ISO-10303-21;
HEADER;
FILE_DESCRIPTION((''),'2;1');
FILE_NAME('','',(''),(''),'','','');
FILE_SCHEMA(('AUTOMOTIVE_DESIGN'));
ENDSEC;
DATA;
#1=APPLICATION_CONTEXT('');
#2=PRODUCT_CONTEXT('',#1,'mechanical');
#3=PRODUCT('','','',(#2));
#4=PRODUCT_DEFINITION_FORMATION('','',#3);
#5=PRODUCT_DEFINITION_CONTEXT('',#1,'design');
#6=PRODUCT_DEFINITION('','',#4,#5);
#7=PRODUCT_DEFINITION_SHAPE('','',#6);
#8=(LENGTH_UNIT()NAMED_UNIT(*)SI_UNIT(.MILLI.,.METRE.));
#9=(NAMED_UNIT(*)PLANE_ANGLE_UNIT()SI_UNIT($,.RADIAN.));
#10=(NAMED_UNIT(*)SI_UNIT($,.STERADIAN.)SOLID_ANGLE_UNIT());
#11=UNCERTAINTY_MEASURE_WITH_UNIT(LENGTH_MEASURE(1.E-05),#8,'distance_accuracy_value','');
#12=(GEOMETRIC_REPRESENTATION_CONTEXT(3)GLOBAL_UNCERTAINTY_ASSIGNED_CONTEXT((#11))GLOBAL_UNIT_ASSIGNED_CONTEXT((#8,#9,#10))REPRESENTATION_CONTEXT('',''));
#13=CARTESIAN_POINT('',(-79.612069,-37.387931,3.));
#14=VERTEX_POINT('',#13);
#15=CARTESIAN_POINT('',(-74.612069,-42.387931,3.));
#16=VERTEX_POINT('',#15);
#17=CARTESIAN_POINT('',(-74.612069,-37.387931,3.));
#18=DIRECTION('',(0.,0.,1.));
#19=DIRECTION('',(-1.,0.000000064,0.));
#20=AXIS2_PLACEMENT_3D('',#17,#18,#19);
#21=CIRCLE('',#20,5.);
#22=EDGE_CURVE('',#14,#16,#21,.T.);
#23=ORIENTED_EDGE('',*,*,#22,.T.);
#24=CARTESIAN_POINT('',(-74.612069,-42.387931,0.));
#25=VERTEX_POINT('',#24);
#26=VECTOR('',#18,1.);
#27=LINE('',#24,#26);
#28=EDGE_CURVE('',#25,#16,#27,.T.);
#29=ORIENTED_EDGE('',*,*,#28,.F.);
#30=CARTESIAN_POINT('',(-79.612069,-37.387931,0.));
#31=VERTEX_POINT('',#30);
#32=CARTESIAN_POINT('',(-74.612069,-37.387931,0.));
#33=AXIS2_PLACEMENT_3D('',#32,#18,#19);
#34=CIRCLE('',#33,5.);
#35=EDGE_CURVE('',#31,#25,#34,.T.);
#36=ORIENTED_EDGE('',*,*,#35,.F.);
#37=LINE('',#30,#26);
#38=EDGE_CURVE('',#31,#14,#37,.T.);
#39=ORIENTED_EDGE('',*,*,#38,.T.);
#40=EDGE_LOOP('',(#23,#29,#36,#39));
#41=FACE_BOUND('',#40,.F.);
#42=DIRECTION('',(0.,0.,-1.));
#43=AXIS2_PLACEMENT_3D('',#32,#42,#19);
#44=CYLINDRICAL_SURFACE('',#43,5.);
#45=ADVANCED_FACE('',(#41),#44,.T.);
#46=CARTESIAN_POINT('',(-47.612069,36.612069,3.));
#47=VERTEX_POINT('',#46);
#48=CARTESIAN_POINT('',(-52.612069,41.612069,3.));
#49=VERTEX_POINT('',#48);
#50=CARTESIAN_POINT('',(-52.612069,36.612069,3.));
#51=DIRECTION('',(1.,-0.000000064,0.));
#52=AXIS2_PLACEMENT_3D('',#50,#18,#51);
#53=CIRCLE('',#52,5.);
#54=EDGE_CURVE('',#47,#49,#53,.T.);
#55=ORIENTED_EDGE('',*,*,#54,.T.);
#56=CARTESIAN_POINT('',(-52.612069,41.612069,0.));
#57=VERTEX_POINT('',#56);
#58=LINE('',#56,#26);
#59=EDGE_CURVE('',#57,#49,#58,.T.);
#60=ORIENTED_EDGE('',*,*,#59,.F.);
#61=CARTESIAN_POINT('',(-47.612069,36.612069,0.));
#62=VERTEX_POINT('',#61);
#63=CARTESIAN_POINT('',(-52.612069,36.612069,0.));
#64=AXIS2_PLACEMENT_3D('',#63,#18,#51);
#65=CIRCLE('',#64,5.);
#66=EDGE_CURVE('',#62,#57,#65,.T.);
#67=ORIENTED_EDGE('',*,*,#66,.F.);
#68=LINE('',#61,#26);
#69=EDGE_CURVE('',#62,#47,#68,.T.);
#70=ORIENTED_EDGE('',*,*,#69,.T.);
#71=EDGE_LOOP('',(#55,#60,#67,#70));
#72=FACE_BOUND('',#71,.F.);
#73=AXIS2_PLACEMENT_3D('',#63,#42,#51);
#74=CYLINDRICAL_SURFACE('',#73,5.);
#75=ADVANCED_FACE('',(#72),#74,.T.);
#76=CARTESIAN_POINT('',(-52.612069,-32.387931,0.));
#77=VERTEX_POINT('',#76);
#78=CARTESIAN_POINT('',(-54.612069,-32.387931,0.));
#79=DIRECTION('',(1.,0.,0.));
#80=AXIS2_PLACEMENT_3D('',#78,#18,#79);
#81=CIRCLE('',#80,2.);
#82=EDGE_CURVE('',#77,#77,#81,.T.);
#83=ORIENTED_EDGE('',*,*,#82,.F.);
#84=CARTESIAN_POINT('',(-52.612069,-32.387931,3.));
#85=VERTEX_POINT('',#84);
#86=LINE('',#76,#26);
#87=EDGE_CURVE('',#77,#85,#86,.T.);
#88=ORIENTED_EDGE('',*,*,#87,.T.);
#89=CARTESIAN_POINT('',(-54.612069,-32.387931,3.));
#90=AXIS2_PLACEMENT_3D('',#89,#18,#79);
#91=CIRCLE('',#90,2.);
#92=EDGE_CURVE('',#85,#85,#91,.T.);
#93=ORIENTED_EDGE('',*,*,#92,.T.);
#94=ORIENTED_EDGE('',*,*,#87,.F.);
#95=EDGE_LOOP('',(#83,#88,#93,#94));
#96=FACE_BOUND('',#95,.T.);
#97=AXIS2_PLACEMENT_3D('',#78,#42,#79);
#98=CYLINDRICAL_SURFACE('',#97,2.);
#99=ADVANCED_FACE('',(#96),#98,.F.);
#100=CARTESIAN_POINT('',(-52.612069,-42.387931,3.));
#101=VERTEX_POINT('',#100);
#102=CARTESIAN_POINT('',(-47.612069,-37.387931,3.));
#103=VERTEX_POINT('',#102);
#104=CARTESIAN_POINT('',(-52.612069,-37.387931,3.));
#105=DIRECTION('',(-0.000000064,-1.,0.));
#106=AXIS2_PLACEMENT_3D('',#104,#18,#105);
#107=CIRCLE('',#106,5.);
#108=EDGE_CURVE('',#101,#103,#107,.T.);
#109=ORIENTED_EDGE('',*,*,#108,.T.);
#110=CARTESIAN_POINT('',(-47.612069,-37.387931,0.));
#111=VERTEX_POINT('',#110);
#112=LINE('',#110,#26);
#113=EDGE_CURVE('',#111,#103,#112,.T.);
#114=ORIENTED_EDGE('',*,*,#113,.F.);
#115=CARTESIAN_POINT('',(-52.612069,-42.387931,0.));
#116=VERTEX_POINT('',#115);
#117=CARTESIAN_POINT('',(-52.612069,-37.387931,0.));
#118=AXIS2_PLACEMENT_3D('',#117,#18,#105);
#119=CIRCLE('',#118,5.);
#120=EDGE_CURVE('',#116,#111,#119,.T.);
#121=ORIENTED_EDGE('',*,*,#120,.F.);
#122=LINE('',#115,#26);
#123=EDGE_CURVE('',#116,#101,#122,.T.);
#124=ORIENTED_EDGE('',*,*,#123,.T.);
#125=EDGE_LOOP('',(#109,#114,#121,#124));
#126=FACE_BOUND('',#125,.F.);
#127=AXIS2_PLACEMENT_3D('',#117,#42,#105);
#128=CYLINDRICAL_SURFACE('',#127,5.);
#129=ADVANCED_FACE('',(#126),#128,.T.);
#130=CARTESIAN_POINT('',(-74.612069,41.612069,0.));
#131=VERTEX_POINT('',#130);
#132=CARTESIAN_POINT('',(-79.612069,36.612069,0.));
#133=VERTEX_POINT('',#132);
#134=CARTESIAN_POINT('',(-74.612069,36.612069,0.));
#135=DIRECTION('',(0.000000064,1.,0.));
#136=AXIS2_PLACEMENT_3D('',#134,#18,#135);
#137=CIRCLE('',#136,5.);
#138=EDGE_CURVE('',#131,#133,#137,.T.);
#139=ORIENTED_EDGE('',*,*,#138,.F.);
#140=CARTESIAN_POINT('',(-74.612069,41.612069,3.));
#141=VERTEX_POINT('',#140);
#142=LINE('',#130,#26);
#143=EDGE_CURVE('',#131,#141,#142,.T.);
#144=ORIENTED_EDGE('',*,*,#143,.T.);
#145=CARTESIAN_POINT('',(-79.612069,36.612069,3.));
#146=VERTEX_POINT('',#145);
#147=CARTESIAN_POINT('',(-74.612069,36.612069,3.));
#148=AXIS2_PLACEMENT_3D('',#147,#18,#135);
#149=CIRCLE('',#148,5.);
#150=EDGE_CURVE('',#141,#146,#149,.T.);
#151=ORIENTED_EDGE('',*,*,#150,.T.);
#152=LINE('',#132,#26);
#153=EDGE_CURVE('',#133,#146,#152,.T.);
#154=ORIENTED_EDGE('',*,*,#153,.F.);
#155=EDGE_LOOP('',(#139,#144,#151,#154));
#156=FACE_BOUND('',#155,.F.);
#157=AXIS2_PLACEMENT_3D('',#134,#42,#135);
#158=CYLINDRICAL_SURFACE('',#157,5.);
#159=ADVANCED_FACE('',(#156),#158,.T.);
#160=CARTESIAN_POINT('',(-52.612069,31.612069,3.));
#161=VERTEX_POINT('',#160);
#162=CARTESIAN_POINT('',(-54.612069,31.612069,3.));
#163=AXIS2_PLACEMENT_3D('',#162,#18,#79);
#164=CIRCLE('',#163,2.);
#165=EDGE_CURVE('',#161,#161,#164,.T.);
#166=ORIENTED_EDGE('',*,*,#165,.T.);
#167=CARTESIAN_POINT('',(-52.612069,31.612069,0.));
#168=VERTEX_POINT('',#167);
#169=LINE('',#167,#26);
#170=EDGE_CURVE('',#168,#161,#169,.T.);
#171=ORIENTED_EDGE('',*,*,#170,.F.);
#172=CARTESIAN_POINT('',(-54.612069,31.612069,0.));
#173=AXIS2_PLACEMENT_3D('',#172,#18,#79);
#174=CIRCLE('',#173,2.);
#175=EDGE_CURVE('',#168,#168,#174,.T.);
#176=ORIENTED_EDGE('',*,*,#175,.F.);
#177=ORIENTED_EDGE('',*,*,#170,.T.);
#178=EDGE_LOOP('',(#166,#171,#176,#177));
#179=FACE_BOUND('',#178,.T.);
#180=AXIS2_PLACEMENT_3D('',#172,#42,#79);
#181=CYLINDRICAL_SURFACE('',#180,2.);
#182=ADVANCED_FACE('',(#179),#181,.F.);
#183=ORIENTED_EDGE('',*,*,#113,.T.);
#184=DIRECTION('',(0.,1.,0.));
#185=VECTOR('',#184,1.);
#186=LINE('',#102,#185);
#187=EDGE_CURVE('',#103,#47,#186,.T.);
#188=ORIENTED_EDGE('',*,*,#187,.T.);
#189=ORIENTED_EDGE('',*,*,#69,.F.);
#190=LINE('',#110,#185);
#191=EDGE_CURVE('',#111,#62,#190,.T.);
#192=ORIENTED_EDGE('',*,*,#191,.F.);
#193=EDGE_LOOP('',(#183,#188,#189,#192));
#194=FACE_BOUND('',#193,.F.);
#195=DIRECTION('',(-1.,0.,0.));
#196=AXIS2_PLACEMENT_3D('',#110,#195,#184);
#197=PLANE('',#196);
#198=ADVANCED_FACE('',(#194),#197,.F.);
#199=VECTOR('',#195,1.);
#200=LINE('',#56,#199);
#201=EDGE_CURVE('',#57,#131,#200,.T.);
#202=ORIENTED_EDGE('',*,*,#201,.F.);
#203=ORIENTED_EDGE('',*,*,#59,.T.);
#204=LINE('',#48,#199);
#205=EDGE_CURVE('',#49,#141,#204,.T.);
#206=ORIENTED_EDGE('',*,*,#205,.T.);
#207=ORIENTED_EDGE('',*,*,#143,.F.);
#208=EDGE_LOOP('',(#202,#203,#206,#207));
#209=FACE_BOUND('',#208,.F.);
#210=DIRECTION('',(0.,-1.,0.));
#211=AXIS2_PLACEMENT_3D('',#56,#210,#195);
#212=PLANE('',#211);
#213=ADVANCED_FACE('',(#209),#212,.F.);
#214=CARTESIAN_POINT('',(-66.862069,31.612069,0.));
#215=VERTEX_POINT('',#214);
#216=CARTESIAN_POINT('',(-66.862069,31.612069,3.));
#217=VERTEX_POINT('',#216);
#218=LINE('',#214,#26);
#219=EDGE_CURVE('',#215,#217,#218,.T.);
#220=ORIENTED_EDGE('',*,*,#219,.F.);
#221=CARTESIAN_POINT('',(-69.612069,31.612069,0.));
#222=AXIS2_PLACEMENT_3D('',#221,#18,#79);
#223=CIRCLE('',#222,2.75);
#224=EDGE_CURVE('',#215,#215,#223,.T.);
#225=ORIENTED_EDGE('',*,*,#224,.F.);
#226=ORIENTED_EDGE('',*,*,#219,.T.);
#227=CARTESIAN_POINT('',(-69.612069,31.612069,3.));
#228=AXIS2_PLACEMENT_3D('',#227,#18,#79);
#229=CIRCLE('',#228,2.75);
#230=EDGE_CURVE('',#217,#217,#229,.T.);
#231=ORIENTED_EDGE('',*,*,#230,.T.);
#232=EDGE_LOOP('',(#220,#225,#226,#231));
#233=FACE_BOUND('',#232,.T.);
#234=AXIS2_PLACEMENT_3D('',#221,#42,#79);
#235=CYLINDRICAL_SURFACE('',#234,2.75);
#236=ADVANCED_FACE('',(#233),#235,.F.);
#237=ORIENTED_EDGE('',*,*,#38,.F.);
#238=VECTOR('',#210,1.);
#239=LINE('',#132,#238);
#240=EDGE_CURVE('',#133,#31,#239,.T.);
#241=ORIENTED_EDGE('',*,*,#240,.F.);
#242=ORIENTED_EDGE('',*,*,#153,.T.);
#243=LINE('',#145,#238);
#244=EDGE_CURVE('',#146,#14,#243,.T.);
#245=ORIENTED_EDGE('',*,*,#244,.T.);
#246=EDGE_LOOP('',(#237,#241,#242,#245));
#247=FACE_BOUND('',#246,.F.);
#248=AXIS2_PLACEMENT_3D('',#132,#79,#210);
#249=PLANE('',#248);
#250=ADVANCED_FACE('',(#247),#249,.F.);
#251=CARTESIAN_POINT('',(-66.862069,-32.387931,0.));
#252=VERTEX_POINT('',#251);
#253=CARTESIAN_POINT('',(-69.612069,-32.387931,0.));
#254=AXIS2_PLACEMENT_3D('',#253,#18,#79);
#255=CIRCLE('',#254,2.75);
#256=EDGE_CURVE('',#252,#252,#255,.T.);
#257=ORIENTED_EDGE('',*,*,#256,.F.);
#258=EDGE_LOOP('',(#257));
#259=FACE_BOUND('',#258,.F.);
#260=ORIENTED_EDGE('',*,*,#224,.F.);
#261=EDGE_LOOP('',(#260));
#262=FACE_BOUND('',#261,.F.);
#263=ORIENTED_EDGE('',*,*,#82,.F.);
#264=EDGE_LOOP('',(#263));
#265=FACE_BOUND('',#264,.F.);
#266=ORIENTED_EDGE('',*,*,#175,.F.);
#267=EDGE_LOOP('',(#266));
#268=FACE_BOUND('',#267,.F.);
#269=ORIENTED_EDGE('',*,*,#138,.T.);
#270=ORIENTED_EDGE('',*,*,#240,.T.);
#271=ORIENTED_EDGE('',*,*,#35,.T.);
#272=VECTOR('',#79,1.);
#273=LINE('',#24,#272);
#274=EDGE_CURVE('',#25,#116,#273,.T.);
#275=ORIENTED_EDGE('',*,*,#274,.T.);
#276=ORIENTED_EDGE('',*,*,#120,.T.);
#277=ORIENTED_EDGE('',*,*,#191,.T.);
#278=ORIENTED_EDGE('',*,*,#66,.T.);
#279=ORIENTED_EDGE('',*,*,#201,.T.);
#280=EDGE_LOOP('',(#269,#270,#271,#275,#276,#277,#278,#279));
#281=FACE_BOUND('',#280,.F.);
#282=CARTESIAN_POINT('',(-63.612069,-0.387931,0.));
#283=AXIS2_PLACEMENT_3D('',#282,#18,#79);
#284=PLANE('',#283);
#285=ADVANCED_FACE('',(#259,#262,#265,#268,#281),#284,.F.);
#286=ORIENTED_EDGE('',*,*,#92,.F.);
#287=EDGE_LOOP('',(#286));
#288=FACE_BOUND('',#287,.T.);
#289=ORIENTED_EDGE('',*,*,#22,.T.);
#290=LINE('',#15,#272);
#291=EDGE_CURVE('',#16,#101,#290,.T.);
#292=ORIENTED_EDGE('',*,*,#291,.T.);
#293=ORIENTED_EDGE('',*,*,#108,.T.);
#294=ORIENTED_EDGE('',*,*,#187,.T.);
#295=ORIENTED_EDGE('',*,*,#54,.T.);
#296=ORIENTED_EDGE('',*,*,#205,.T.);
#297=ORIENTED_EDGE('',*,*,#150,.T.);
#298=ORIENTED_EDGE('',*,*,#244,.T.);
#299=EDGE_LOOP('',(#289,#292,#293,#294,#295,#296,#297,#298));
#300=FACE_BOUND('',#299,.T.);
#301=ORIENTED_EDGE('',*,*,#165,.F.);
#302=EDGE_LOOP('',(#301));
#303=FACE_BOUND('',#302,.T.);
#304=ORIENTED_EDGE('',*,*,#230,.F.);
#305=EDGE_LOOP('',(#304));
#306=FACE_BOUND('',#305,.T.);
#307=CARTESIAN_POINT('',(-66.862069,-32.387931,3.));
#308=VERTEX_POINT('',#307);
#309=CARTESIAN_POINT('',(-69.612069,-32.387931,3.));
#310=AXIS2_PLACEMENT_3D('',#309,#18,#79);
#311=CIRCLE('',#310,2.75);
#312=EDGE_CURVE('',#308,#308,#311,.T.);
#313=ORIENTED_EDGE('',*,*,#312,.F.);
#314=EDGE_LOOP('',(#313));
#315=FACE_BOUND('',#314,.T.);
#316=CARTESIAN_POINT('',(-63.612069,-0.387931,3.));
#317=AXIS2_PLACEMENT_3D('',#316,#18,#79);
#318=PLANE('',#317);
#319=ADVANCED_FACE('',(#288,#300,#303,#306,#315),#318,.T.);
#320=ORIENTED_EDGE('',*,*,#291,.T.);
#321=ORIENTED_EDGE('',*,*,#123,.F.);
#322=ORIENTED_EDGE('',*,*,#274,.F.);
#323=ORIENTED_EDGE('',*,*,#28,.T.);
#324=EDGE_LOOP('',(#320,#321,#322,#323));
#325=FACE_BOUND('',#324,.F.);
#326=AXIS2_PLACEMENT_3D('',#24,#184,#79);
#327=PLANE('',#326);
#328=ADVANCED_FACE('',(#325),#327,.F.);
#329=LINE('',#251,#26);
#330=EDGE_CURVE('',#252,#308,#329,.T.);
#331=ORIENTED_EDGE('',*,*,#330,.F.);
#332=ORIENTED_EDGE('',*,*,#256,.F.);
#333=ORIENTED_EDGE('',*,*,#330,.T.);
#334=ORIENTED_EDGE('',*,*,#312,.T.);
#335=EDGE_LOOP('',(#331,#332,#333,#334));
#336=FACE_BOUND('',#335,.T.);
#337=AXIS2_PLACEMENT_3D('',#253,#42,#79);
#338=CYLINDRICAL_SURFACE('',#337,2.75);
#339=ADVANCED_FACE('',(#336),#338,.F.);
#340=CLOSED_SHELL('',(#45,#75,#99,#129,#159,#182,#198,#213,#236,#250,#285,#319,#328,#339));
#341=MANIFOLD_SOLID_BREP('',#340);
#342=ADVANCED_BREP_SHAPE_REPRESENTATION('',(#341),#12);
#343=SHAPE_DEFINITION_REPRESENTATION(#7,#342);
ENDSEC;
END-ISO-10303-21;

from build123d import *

# Parameters (mm, degrees)
F0_R     = 2.75
F0_R_2   = 2
F1_DEPTH = 3
F2_DEPTH = 3


with BuildPart() as f1:
    # F0 (on Top) → F1 (new body)
    with BuildSketch(Plane.XY):
        with BuildLine():
            Line((-79.612069, -8.387931), (-79.612069, -22.387931))
            Line((-79.612069, -22.387931), (-79.612069, -37.387931))
            ThreePointArc((-79.612069, -37.387931), (-78.147603, -40.923465), (-74.612069, -42.387931))
            Line((-74.612069, -42.387931), (-64.612069, -42.387931))
            Line((-64.612069, -42.387931), (-52.612069, -42.387931))
            ThreePointArc((-52.612069, -42.387931), (-49.076535, -40.923465), (-47.612069, -37.387931))
            Line((-47.612069, -37.387931), (-47.612069, 36.612069))
            ThreePointArc((-47.612069, 36.612069), (-49.076535, 40.147603), (-52.612069, 41.612069))
            Line((-52.612069, 41.612069), (-64.612069, 41.612069))
            Line((-64.612069, 41.612069), (-67.112069, 41.612069))
            Line((-67.112069, 41.612069), (-74.612069, 41.612069))
            ThreePointArc((-74.612069, 41.612069), (-78.147603, 40.147603), (-79.612069, 36.612069))
            Line((-79.612069, 36.612069), (-79.612069, 21.612069))
            Line((-79.612069, 21.612069), (-79.612069, -8.387931))
        make_face()
        with Locations((-69.612069, -32.387931)):
            Circle(F0_R, mode=Mode.SUBTRACT)
        with Locations((-54.612069, -32.387931)):
            Circle(F0_R_2, mode=Mode.SUBTRACT)
        with Locations((-69.612069, 31.612069)):
            Circle(F0_R, mode=Mode.SUBTRACT)
        with Locations((-54.612069, 31.612069)):
            Circle(F0_R_2, mode=Mode.SUBTRACT)
    extrude(amount=F1_DEPTH)


with BuildPart() as f2:
    # F0 (on Top) → F2 (new body)
    with BuildSketch(Plane.XY):
        with BuildLine():
            Line((74.387931, -13.387931), (74.387931, -8.387931))
            Line((74.387931, -8.387931), (74.387931, 21.612069))
            Line((74.387931, 21.612069), (74.387931, 36.612069))
            ThreePointArc((74.387931, 36.612069), (72.923465, 40.147603), (69.387931, 41.612069))
            Line((69.387931, 41.612069), (59.387931, 41.612069))
            Line((59.387931, 41.612069), (52.387931, 41.612069))
            ThreePointArc((52.387931, 41.612069), (48.852397, 40.147603), (47.387931, 36.612069))
            Line((47.387931, 36.612069), (47.387931, -37.387931))
            ThreePointArc((47.387931, -37.387931), (48.852397, -40.923465), (52.387931, -42.387931))
            Line((52.387931, -42.387931), (59.387931, -42.387931))
            Line((59.387931, -42.387931), (69.387931, -42.387931))
            ThreePointArc((69.387931, -42.387931), (72.923465, -40.923465), (74.387931, -37.387931))
            Line((74.387931, -37.387931), (74.387931, -28.387931))
            Line((74.387931, -28.387931), (74.387931, -22.387931))
            Line((74.387931, -22.387931), (74.387931, -13.387931))
        make_face()
        with Locations((54.387931, -32.387931)):
            Circle(F0_R_2, mode=Mode.SUBTRACT)
        with Locations((64.387931, -32.387931)):
            Circle(F0_R, mode=Mode.SUBTRACT)
        with Locations((54.387931, 31.612069)):
            Circle(F0_R_2, mode=Mode.SUBTRACT)
        with Locations((64.387931, 31.612069)):
            Circle(F0_R, mode=Mode.SUBTRACT)
    extrude(amount=F2_DEPTH)


solid = f1.part
